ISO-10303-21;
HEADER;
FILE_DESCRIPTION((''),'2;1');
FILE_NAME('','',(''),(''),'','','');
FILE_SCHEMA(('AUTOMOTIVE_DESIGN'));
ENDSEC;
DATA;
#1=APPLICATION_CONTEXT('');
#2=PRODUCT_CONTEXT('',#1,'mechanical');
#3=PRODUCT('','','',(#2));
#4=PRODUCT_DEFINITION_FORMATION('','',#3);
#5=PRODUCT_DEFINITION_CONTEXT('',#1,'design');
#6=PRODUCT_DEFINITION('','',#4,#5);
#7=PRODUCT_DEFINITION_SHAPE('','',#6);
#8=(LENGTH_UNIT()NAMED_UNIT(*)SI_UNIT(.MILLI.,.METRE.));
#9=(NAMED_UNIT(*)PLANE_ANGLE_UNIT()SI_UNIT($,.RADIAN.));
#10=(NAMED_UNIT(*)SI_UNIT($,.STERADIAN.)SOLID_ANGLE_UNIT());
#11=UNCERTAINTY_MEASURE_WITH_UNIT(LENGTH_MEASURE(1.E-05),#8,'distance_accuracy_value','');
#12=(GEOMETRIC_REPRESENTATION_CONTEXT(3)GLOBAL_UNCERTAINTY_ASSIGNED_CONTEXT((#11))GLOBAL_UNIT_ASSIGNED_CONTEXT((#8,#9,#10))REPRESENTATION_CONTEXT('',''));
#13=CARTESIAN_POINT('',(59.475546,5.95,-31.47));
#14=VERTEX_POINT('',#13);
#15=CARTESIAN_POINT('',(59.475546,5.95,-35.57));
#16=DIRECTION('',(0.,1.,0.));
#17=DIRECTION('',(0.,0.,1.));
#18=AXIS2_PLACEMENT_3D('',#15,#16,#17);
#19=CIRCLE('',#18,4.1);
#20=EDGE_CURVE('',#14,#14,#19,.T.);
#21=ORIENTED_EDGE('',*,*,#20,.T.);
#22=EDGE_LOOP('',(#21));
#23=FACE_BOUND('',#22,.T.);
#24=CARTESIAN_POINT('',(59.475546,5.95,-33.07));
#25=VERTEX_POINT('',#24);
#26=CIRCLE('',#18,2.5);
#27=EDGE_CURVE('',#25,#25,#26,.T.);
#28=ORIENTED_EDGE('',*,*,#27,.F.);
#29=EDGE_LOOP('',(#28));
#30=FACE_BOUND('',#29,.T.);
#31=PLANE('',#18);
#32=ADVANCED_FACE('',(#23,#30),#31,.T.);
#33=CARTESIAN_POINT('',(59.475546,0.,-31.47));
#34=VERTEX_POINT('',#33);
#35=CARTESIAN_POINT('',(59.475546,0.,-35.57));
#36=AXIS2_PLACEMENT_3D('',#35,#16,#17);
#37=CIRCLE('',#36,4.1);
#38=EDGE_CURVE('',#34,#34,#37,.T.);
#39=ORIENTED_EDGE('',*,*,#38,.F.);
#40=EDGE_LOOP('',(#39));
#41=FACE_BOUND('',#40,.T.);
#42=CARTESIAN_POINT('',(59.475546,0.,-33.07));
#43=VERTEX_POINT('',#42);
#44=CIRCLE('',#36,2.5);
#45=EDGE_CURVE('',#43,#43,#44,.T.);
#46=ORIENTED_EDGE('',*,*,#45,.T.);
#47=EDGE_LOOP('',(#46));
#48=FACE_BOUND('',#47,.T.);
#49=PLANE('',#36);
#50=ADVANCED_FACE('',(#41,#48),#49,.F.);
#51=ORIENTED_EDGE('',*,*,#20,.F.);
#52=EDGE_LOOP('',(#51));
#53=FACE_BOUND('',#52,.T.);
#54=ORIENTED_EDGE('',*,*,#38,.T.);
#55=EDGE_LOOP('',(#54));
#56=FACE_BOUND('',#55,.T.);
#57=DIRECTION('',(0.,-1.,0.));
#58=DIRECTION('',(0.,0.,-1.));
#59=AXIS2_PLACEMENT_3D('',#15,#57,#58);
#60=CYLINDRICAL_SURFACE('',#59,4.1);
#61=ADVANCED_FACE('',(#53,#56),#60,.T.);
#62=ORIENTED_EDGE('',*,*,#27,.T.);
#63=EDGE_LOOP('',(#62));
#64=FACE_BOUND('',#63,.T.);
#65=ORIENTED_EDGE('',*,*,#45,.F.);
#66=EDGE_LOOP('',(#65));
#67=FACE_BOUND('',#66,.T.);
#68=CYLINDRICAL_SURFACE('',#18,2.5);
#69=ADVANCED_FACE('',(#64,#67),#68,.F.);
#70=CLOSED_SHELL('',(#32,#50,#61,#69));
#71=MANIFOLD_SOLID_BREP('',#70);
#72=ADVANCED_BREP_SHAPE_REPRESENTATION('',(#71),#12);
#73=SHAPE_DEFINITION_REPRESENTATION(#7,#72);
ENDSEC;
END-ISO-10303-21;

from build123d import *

# Parameters (mm, degrees)
SKETCH1_R               = 4.1
BOSS_EXTRUDE1_DEPTH     = 5.95
TAP_DRILL_FOR_M6_TAP1_D = 5


with BuildPart() as part:
    # Sketch1 → Boss-Extrude1 (new body)
    with BuildSketch(Plane(origin=(0, 0, 0), x_dir=(1, 0, 0), z_dir=(0, 1, 0))):
        with Locations((59.475545776, 35.570000001)):
            Circle(SKETCH1_R)
    extrude(amount=BOSS_EXTRUDE1_DEPTH)

    # Tap Drill for M6 Tap1 (through all)
    with Locations(Plane(origin=(0, 5.95, 0), x_dir=(1, 0, 0), z_dir=(0, 1, 0))):
        with Locations((59.475545776, 35.570000001)):
            Hole(TAP_DRILL_FOR_M6_TAP1_D / 2)


solid = part.part
